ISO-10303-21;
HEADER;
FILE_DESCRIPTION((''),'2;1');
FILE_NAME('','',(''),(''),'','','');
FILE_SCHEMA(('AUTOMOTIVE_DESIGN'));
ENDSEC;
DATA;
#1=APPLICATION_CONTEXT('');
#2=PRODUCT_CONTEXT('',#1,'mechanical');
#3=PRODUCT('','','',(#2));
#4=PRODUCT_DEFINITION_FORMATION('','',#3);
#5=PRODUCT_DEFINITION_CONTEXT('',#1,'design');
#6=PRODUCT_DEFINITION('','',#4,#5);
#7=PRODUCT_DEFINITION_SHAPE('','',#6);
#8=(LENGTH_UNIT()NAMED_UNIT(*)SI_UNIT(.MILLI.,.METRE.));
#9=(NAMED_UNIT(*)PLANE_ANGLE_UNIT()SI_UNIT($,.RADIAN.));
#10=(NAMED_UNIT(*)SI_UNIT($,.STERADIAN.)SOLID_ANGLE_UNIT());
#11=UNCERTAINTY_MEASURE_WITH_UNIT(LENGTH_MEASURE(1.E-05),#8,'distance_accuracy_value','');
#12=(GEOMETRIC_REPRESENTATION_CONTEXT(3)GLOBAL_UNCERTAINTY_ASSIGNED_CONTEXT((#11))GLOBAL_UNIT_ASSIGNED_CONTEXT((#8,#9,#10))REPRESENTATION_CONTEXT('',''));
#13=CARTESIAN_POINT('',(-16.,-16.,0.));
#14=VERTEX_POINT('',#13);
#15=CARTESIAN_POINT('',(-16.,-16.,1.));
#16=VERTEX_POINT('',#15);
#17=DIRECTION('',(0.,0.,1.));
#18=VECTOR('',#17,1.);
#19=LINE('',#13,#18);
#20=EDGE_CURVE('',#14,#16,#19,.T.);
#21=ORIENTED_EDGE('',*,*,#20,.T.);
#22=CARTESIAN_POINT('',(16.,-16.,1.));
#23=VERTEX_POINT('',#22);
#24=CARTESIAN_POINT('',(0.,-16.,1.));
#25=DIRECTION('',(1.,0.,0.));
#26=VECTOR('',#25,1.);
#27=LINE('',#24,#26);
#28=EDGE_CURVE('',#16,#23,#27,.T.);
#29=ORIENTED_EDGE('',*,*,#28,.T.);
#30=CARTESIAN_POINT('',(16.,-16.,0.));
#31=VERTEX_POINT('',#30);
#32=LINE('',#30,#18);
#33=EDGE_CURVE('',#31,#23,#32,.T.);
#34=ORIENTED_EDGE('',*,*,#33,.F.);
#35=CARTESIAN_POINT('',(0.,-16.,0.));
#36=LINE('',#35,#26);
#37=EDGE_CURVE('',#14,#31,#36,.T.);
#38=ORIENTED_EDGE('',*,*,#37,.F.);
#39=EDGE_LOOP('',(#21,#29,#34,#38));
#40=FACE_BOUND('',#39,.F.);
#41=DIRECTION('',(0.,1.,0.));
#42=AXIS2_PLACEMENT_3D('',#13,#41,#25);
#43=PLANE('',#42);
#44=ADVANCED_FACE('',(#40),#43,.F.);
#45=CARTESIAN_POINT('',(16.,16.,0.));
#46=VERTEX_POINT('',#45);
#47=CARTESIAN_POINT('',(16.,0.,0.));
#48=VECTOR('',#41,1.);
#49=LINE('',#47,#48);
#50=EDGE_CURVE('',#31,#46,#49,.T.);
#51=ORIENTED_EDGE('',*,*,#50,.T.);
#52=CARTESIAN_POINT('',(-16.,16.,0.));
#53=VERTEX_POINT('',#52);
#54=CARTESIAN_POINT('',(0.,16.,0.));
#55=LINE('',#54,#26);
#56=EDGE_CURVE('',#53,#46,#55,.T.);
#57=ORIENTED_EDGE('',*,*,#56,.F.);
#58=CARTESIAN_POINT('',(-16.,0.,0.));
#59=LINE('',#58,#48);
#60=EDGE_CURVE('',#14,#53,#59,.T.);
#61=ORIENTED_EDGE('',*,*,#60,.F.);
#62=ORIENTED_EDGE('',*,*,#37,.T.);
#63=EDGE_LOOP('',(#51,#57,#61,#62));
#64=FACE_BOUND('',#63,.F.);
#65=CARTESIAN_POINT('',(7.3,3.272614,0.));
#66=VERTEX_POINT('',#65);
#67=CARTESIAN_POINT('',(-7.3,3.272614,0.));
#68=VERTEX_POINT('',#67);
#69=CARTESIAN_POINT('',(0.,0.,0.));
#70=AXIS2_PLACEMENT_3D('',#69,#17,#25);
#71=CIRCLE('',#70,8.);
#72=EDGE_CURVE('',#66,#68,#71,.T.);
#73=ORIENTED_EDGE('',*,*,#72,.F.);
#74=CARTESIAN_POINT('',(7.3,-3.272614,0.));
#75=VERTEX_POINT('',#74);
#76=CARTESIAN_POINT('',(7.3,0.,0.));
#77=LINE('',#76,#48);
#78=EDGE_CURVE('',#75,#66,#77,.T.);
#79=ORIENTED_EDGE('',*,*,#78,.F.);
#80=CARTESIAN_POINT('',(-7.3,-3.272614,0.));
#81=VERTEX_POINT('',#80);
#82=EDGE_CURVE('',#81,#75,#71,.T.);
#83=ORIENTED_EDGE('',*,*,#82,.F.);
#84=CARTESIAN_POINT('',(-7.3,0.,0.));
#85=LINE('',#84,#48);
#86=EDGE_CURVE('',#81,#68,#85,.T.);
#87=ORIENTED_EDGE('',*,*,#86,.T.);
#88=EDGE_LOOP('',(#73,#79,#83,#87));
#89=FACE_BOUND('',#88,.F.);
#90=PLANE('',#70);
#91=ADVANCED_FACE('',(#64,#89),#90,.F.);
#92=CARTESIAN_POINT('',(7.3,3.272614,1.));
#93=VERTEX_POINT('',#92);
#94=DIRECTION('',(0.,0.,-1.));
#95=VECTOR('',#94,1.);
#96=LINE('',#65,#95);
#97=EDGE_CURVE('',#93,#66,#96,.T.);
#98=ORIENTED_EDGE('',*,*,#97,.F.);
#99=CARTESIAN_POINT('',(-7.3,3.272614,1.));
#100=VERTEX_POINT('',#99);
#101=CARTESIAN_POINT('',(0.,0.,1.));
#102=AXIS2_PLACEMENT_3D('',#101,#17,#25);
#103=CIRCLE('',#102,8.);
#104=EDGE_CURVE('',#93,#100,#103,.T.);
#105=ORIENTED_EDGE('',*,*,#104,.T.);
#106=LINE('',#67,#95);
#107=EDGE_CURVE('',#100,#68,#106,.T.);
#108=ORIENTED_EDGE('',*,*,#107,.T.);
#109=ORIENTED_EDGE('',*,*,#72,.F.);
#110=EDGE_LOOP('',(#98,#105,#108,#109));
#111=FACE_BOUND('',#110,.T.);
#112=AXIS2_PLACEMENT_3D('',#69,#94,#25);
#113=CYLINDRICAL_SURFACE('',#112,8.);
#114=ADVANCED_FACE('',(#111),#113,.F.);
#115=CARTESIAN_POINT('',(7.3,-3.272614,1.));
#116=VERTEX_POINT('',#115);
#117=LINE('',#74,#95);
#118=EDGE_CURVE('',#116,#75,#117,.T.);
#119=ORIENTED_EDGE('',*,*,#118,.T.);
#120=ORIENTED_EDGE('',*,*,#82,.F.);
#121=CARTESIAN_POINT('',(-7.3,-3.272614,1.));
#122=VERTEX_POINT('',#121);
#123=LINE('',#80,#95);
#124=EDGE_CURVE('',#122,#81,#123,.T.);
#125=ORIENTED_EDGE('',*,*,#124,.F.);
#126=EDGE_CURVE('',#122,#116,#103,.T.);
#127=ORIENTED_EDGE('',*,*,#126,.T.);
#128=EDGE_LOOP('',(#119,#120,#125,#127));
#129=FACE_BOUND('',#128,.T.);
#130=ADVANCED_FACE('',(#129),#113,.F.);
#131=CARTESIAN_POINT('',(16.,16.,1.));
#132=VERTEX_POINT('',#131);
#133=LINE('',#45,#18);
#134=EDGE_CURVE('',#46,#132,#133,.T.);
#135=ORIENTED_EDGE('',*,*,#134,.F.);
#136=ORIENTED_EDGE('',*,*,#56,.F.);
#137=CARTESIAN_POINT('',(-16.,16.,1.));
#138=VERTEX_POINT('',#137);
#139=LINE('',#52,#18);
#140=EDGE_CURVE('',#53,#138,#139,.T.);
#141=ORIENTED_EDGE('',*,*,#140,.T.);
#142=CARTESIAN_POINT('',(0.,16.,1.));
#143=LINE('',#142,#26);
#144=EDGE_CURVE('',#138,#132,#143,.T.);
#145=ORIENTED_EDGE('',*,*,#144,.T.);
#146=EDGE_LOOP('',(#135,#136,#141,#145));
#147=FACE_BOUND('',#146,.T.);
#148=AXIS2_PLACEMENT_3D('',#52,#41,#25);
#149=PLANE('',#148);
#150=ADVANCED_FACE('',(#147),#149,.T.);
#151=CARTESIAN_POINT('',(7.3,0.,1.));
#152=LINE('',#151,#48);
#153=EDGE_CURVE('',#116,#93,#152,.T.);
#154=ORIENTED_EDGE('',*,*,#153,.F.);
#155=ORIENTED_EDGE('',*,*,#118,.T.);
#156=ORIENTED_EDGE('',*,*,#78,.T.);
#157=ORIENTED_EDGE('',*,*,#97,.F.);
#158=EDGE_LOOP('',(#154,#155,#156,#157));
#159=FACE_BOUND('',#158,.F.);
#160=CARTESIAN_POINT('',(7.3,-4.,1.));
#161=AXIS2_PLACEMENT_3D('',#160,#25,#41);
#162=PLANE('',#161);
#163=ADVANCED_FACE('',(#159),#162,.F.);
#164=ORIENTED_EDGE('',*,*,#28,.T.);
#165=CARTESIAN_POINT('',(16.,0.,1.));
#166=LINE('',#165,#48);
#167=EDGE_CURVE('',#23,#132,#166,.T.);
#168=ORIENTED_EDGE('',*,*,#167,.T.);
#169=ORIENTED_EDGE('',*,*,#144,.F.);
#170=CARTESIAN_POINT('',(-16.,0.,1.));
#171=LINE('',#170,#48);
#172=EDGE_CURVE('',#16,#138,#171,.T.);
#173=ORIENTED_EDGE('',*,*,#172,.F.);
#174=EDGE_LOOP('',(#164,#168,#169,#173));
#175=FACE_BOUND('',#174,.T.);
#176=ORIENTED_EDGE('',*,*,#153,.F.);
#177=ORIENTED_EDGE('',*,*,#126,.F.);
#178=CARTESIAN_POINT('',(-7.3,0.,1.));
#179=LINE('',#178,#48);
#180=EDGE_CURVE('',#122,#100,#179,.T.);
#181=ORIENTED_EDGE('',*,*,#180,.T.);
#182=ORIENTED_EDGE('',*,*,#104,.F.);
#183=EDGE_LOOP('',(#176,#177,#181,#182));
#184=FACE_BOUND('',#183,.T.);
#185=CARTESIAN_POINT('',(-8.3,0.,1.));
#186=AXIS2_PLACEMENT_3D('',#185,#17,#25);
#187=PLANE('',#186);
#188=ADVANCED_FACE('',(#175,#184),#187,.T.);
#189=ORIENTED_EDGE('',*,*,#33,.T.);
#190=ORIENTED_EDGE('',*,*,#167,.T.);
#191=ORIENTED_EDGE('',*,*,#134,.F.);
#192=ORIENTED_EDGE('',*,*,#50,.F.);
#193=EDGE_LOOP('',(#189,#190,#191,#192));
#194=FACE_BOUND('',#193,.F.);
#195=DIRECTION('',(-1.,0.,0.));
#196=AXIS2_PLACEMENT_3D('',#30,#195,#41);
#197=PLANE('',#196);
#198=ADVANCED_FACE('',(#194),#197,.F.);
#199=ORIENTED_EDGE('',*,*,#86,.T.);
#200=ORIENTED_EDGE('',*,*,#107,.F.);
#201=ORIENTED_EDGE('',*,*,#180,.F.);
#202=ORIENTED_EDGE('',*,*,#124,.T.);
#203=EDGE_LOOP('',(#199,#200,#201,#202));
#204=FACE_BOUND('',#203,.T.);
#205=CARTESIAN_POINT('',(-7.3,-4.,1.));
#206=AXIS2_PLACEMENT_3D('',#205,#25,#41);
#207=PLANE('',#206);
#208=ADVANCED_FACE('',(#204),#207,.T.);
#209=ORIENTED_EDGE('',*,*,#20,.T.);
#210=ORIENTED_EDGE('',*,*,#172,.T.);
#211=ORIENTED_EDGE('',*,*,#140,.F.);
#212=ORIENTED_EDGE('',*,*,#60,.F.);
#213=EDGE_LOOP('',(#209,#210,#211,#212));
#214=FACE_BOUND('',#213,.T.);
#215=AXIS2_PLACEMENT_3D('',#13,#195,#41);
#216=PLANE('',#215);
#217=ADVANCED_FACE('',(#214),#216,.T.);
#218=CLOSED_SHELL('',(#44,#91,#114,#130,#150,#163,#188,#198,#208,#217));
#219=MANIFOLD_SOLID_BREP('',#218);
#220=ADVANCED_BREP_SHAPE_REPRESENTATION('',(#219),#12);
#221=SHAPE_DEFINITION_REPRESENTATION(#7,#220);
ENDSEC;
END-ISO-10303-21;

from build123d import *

# Parameters (mm, degrees)
SKETCH_W     = 32
SKETCH_H     = 32
SKETCH_R     = 8
PAD_DEPTH    = 1
SKETCH001_W  = 2
SKETCH001_H  = 8
PAD001_DEPTH = 1


with BuildPart() as part:
    # Sketch → Pad (new body)
    with BuildSketch(Plane.XY):
        Rectangle(SKETCH_W, SKETCH_H)
        Circle(SKETCH_R, mode=Mode.SUBTRACT)
    extrude(amount=PAD_DEPTH)

    # Sketch001 (on Face7 of Pad) → Pad001 (join)
    with BuildSketch(Plane.XY.offset(1)):
        with Locations((-8.3, 0)):
            Rectangle(SKETCH001_W, SKETCH001_H)
        with Locations((8.3, 0)):
            Rectangle(SKETCH001_W, SKETCH001_H)
    extrude(amount=-PAD001_DEPTH)


solid = part.part
